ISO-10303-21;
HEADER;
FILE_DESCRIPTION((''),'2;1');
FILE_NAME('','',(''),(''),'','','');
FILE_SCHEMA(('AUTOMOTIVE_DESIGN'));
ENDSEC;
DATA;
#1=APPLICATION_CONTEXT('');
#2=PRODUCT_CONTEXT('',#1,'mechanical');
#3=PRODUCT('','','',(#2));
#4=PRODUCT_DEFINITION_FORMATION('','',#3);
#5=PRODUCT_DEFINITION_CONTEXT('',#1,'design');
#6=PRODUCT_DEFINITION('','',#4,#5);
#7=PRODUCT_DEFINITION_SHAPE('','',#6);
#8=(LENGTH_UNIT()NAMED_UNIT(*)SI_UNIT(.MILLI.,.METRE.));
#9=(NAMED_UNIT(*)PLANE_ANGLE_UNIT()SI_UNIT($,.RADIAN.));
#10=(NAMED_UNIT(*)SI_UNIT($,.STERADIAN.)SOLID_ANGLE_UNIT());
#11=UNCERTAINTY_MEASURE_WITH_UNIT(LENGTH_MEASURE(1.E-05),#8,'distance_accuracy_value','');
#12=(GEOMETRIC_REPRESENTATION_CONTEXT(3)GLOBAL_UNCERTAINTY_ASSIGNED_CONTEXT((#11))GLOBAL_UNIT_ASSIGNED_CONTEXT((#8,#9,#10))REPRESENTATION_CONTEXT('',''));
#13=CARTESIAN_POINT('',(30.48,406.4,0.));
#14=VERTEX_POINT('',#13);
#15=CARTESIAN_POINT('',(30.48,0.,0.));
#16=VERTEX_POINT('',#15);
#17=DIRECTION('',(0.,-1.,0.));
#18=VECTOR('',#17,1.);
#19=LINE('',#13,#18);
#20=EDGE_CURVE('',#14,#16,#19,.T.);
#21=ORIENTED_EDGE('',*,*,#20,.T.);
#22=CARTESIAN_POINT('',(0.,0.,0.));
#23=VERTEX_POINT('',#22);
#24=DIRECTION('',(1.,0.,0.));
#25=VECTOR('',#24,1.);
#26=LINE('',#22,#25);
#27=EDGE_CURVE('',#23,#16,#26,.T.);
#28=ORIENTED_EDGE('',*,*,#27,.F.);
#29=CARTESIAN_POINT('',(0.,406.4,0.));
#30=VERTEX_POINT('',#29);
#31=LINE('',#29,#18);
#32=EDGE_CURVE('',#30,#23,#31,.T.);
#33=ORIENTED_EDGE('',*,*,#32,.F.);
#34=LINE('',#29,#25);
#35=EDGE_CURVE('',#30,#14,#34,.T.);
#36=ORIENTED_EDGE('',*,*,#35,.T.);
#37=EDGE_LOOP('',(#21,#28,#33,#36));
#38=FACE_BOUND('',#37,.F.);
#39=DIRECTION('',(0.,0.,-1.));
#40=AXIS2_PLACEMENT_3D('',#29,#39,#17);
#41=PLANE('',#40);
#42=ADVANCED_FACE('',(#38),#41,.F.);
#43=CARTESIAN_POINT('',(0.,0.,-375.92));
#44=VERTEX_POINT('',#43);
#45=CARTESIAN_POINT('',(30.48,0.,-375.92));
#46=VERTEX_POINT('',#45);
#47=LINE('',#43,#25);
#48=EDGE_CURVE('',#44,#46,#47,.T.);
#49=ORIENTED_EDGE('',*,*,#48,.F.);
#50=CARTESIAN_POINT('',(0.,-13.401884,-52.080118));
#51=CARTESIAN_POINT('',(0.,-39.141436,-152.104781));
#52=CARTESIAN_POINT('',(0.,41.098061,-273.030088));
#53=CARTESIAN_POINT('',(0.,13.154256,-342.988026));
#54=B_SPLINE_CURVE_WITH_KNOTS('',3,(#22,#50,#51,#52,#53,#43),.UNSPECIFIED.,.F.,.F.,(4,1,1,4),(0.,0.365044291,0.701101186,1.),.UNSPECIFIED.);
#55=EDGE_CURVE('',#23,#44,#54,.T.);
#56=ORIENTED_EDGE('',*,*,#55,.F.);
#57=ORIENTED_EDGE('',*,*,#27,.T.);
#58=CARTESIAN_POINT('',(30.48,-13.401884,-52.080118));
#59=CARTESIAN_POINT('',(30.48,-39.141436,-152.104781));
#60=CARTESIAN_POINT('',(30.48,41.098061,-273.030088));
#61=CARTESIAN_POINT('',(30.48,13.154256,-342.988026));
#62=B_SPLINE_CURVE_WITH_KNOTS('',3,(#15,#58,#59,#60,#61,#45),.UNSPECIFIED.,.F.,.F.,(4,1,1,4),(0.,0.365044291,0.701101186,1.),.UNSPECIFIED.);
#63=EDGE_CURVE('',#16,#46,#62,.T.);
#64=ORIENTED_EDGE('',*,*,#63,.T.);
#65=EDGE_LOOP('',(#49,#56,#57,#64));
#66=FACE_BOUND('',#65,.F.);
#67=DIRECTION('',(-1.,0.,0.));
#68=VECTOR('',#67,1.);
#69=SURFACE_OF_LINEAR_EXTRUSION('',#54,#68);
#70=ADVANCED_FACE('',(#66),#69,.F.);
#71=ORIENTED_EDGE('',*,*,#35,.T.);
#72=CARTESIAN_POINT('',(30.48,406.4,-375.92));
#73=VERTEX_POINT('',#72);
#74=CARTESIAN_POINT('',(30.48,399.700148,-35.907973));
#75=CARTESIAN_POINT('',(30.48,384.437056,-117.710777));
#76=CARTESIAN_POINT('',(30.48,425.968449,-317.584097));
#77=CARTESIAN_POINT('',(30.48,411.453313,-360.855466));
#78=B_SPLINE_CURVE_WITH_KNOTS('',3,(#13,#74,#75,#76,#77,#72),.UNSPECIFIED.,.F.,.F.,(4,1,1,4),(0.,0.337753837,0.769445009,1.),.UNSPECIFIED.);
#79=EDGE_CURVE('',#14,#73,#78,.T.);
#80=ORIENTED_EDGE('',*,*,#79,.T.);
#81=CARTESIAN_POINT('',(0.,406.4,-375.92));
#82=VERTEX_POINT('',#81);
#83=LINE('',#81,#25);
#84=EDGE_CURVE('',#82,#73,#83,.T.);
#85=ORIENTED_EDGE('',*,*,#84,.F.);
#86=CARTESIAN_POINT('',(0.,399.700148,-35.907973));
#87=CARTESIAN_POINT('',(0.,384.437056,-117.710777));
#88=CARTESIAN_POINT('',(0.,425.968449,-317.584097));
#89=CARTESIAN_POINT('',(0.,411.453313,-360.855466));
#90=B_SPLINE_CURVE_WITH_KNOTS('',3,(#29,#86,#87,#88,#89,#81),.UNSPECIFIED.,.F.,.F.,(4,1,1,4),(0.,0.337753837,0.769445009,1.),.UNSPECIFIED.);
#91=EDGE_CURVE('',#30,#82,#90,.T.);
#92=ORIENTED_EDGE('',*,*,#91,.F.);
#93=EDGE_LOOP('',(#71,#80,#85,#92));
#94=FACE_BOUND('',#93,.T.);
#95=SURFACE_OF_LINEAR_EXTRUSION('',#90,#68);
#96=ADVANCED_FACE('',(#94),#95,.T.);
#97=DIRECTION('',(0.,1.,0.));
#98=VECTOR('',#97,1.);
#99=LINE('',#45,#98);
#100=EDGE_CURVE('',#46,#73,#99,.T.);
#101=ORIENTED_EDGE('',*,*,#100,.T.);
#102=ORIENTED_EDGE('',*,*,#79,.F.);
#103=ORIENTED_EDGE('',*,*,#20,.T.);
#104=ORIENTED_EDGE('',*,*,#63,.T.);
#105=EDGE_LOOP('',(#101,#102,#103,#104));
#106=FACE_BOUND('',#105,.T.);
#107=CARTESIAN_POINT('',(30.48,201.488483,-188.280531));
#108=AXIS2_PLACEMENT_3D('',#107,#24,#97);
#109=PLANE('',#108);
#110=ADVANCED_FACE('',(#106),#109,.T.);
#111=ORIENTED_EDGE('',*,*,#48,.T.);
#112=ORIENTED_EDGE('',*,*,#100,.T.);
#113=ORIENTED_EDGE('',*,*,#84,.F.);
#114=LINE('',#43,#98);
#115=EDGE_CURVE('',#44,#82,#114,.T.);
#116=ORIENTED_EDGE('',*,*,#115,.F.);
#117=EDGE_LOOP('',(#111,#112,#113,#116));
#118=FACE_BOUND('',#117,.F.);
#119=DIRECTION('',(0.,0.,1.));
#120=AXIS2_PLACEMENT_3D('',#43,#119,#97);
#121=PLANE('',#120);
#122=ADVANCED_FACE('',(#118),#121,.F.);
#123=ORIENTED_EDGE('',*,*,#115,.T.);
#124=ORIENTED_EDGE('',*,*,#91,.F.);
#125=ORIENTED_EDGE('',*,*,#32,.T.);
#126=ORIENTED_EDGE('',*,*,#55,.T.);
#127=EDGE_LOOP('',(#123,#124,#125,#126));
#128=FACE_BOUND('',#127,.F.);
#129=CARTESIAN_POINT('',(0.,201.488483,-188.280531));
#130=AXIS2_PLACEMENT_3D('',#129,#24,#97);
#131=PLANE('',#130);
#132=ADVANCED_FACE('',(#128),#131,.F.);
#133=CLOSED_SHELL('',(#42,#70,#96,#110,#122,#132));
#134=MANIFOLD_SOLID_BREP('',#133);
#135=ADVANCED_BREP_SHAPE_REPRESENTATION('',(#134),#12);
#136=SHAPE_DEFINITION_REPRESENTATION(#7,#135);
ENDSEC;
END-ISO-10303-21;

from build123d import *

# Parameters (mm, degrees)
F1_DEPTH = 30.48


with BuildPart() as f1:
    # F0 (on Right) → F1 (new body)
    with BuildSketch(Plane.YZ):
        with BuildLine():
            Line((406.4, 0), (0, 0))
            add(Edge.make_bspline(
                [(0, 0), (-13.4018838933, -52.0801176529), (-39.1414364246, -152.1047809645), (41.0980607754, -273.0300876742), (13.1542561647, -342.9880261316), (0, -375.92)],
                knots=[0, 0, 0, 0, 0.3650442906, 0.7011011861, 1, 1, 1, 1], degree=3))
            Line((0, -375.92), (406.4, -375.92))
            add(Edge.make_bspline(
                [(406.4, 0), (399.7001477707, -35.9079734404), (384.4370558729, -117.7107774014), (425.9684487535, -317.5840965757), (411.4533128378, -360.8554655858), (406.4, -375.92)],
                knots=[0, 0, 0, 0, 0.3377538372, 0.7694450086, 1, 1, 1, 1], degree=3))
        make_face()
    extrude(amount=F1_DEPTH)


solid = f1.part
